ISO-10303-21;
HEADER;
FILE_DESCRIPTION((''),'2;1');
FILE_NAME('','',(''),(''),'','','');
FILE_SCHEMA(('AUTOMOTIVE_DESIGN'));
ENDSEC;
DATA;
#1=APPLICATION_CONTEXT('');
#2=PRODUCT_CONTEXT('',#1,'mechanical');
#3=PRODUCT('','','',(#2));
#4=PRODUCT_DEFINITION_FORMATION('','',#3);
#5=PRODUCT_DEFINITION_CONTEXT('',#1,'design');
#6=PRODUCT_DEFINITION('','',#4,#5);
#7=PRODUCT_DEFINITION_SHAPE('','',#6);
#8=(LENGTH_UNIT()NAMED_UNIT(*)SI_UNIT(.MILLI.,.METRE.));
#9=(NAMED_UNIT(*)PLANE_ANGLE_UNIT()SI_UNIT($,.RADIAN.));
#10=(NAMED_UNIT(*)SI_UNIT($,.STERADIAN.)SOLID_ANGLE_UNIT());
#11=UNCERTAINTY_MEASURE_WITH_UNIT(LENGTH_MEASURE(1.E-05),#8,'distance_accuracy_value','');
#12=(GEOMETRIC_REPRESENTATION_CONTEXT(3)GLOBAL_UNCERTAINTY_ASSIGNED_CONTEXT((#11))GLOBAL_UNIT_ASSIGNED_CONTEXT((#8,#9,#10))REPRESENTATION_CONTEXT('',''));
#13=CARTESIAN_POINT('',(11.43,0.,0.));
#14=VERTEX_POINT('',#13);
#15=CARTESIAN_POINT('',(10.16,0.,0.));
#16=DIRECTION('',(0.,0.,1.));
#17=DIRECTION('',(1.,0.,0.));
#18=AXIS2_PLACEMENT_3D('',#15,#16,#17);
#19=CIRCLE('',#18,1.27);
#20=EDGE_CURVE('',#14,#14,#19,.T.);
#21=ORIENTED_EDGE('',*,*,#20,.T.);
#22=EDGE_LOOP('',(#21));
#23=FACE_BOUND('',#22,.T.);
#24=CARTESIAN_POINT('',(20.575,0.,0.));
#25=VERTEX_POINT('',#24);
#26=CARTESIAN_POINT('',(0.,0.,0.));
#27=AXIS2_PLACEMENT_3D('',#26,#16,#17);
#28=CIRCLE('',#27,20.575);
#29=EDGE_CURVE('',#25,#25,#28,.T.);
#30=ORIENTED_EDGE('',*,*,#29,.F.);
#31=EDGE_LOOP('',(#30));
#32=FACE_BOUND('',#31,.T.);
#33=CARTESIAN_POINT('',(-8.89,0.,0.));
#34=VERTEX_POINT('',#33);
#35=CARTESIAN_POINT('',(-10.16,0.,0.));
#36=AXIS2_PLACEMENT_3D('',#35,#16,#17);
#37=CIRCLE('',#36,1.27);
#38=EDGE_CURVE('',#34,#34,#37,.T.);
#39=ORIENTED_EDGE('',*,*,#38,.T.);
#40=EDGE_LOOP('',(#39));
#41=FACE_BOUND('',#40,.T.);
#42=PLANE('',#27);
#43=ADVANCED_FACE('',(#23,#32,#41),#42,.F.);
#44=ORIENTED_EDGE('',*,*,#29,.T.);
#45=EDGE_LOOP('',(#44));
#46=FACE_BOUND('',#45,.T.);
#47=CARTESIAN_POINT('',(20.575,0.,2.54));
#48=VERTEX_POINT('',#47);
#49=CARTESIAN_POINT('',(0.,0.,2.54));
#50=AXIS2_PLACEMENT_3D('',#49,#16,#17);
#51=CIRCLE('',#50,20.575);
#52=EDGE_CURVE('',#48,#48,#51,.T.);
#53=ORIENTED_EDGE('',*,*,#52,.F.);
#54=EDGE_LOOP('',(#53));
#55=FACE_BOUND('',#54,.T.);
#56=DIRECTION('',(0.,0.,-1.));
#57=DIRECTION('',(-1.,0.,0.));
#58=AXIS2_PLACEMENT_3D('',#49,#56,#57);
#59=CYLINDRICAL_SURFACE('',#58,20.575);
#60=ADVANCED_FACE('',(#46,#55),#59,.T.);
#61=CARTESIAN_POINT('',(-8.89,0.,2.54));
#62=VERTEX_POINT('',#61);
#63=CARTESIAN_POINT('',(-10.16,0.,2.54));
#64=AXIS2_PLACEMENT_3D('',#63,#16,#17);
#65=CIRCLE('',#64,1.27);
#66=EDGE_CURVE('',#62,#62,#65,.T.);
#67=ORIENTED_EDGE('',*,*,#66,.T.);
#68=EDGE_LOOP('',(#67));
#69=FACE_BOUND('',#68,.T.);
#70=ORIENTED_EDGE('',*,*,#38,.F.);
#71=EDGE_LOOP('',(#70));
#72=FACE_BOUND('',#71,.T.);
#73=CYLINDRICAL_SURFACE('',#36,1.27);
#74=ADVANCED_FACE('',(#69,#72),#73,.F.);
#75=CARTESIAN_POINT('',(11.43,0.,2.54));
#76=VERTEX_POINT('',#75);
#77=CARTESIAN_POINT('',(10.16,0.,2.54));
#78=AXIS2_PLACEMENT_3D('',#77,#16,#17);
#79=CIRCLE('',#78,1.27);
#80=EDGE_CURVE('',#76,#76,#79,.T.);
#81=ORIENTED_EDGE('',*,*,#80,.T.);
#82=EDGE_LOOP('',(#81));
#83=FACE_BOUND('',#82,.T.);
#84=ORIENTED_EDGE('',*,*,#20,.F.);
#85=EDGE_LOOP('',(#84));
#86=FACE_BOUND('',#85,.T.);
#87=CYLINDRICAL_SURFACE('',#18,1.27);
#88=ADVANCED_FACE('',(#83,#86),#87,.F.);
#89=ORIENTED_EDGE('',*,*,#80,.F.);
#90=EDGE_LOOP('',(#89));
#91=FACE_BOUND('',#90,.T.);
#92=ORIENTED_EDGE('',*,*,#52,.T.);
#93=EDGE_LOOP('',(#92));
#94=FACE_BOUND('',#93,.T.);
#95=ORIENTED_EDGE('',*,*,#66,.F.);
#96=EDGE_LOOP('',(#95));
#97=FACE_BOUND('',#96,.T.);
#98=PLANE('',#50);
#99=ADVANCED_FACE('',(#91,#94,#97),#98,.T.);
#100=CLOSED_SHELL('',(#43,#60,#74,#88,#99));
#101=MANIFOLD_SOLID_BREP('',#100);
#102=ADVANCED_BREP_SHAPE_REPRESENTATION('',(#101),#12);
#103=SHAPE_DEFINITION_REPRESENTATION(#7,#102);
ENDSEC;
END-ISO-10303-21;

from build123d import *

# Parameters (mm, degrees)
SKETCH1_R           = 20.575
BOSS_EXTRUDE1_DEPTH = 2.54
CUT_EXTRUDE1_DEPTH  = 3.54


with BuildPart() as part:
    # Sketch1 → Boss-Extrude1 (new body)
    with BuildSketch(Plane.XY):
        Circle(SKETCH1_R)
    extrude(amount=BOSS_EXTRUDE1_DEPTH)

    # Sketch2 → Cut-Extrude1 (cut, through all)
    with BuildSketch(Plane.XY.offset(2.54)):
        with BuildLine():
            ThreePointArc((-8.89, 0), (-10.16, 1.27), (-11.43, 0))
            Line((-11.43, 0), (-8.89, 0))
        make_face()
        with BuildLine():
            Line((-8.89, 0), (-11.43, 0))
            ThreePointArc((-11.43, 0), (-10.16, -1.27), (-8.89, 0))
        make_face()
        with BuildLine():
            ThreePointArc((11.43, 0), (10.16, 1.27), (8.89, 0))
            Line((8.89, 0), (11.43, 0))
        make_face()
        with BuildLine():
            Line((11.43, 0), (8.89, 0))
            ThreePointArc((8.89, 0), (10.16, -1.27), (11.43, 0))
        make_face()
    extrude(amount=-CUT_EXTRUDE1_DEPTH, mode=Mode.SUBTRACT)


solid = part.part
